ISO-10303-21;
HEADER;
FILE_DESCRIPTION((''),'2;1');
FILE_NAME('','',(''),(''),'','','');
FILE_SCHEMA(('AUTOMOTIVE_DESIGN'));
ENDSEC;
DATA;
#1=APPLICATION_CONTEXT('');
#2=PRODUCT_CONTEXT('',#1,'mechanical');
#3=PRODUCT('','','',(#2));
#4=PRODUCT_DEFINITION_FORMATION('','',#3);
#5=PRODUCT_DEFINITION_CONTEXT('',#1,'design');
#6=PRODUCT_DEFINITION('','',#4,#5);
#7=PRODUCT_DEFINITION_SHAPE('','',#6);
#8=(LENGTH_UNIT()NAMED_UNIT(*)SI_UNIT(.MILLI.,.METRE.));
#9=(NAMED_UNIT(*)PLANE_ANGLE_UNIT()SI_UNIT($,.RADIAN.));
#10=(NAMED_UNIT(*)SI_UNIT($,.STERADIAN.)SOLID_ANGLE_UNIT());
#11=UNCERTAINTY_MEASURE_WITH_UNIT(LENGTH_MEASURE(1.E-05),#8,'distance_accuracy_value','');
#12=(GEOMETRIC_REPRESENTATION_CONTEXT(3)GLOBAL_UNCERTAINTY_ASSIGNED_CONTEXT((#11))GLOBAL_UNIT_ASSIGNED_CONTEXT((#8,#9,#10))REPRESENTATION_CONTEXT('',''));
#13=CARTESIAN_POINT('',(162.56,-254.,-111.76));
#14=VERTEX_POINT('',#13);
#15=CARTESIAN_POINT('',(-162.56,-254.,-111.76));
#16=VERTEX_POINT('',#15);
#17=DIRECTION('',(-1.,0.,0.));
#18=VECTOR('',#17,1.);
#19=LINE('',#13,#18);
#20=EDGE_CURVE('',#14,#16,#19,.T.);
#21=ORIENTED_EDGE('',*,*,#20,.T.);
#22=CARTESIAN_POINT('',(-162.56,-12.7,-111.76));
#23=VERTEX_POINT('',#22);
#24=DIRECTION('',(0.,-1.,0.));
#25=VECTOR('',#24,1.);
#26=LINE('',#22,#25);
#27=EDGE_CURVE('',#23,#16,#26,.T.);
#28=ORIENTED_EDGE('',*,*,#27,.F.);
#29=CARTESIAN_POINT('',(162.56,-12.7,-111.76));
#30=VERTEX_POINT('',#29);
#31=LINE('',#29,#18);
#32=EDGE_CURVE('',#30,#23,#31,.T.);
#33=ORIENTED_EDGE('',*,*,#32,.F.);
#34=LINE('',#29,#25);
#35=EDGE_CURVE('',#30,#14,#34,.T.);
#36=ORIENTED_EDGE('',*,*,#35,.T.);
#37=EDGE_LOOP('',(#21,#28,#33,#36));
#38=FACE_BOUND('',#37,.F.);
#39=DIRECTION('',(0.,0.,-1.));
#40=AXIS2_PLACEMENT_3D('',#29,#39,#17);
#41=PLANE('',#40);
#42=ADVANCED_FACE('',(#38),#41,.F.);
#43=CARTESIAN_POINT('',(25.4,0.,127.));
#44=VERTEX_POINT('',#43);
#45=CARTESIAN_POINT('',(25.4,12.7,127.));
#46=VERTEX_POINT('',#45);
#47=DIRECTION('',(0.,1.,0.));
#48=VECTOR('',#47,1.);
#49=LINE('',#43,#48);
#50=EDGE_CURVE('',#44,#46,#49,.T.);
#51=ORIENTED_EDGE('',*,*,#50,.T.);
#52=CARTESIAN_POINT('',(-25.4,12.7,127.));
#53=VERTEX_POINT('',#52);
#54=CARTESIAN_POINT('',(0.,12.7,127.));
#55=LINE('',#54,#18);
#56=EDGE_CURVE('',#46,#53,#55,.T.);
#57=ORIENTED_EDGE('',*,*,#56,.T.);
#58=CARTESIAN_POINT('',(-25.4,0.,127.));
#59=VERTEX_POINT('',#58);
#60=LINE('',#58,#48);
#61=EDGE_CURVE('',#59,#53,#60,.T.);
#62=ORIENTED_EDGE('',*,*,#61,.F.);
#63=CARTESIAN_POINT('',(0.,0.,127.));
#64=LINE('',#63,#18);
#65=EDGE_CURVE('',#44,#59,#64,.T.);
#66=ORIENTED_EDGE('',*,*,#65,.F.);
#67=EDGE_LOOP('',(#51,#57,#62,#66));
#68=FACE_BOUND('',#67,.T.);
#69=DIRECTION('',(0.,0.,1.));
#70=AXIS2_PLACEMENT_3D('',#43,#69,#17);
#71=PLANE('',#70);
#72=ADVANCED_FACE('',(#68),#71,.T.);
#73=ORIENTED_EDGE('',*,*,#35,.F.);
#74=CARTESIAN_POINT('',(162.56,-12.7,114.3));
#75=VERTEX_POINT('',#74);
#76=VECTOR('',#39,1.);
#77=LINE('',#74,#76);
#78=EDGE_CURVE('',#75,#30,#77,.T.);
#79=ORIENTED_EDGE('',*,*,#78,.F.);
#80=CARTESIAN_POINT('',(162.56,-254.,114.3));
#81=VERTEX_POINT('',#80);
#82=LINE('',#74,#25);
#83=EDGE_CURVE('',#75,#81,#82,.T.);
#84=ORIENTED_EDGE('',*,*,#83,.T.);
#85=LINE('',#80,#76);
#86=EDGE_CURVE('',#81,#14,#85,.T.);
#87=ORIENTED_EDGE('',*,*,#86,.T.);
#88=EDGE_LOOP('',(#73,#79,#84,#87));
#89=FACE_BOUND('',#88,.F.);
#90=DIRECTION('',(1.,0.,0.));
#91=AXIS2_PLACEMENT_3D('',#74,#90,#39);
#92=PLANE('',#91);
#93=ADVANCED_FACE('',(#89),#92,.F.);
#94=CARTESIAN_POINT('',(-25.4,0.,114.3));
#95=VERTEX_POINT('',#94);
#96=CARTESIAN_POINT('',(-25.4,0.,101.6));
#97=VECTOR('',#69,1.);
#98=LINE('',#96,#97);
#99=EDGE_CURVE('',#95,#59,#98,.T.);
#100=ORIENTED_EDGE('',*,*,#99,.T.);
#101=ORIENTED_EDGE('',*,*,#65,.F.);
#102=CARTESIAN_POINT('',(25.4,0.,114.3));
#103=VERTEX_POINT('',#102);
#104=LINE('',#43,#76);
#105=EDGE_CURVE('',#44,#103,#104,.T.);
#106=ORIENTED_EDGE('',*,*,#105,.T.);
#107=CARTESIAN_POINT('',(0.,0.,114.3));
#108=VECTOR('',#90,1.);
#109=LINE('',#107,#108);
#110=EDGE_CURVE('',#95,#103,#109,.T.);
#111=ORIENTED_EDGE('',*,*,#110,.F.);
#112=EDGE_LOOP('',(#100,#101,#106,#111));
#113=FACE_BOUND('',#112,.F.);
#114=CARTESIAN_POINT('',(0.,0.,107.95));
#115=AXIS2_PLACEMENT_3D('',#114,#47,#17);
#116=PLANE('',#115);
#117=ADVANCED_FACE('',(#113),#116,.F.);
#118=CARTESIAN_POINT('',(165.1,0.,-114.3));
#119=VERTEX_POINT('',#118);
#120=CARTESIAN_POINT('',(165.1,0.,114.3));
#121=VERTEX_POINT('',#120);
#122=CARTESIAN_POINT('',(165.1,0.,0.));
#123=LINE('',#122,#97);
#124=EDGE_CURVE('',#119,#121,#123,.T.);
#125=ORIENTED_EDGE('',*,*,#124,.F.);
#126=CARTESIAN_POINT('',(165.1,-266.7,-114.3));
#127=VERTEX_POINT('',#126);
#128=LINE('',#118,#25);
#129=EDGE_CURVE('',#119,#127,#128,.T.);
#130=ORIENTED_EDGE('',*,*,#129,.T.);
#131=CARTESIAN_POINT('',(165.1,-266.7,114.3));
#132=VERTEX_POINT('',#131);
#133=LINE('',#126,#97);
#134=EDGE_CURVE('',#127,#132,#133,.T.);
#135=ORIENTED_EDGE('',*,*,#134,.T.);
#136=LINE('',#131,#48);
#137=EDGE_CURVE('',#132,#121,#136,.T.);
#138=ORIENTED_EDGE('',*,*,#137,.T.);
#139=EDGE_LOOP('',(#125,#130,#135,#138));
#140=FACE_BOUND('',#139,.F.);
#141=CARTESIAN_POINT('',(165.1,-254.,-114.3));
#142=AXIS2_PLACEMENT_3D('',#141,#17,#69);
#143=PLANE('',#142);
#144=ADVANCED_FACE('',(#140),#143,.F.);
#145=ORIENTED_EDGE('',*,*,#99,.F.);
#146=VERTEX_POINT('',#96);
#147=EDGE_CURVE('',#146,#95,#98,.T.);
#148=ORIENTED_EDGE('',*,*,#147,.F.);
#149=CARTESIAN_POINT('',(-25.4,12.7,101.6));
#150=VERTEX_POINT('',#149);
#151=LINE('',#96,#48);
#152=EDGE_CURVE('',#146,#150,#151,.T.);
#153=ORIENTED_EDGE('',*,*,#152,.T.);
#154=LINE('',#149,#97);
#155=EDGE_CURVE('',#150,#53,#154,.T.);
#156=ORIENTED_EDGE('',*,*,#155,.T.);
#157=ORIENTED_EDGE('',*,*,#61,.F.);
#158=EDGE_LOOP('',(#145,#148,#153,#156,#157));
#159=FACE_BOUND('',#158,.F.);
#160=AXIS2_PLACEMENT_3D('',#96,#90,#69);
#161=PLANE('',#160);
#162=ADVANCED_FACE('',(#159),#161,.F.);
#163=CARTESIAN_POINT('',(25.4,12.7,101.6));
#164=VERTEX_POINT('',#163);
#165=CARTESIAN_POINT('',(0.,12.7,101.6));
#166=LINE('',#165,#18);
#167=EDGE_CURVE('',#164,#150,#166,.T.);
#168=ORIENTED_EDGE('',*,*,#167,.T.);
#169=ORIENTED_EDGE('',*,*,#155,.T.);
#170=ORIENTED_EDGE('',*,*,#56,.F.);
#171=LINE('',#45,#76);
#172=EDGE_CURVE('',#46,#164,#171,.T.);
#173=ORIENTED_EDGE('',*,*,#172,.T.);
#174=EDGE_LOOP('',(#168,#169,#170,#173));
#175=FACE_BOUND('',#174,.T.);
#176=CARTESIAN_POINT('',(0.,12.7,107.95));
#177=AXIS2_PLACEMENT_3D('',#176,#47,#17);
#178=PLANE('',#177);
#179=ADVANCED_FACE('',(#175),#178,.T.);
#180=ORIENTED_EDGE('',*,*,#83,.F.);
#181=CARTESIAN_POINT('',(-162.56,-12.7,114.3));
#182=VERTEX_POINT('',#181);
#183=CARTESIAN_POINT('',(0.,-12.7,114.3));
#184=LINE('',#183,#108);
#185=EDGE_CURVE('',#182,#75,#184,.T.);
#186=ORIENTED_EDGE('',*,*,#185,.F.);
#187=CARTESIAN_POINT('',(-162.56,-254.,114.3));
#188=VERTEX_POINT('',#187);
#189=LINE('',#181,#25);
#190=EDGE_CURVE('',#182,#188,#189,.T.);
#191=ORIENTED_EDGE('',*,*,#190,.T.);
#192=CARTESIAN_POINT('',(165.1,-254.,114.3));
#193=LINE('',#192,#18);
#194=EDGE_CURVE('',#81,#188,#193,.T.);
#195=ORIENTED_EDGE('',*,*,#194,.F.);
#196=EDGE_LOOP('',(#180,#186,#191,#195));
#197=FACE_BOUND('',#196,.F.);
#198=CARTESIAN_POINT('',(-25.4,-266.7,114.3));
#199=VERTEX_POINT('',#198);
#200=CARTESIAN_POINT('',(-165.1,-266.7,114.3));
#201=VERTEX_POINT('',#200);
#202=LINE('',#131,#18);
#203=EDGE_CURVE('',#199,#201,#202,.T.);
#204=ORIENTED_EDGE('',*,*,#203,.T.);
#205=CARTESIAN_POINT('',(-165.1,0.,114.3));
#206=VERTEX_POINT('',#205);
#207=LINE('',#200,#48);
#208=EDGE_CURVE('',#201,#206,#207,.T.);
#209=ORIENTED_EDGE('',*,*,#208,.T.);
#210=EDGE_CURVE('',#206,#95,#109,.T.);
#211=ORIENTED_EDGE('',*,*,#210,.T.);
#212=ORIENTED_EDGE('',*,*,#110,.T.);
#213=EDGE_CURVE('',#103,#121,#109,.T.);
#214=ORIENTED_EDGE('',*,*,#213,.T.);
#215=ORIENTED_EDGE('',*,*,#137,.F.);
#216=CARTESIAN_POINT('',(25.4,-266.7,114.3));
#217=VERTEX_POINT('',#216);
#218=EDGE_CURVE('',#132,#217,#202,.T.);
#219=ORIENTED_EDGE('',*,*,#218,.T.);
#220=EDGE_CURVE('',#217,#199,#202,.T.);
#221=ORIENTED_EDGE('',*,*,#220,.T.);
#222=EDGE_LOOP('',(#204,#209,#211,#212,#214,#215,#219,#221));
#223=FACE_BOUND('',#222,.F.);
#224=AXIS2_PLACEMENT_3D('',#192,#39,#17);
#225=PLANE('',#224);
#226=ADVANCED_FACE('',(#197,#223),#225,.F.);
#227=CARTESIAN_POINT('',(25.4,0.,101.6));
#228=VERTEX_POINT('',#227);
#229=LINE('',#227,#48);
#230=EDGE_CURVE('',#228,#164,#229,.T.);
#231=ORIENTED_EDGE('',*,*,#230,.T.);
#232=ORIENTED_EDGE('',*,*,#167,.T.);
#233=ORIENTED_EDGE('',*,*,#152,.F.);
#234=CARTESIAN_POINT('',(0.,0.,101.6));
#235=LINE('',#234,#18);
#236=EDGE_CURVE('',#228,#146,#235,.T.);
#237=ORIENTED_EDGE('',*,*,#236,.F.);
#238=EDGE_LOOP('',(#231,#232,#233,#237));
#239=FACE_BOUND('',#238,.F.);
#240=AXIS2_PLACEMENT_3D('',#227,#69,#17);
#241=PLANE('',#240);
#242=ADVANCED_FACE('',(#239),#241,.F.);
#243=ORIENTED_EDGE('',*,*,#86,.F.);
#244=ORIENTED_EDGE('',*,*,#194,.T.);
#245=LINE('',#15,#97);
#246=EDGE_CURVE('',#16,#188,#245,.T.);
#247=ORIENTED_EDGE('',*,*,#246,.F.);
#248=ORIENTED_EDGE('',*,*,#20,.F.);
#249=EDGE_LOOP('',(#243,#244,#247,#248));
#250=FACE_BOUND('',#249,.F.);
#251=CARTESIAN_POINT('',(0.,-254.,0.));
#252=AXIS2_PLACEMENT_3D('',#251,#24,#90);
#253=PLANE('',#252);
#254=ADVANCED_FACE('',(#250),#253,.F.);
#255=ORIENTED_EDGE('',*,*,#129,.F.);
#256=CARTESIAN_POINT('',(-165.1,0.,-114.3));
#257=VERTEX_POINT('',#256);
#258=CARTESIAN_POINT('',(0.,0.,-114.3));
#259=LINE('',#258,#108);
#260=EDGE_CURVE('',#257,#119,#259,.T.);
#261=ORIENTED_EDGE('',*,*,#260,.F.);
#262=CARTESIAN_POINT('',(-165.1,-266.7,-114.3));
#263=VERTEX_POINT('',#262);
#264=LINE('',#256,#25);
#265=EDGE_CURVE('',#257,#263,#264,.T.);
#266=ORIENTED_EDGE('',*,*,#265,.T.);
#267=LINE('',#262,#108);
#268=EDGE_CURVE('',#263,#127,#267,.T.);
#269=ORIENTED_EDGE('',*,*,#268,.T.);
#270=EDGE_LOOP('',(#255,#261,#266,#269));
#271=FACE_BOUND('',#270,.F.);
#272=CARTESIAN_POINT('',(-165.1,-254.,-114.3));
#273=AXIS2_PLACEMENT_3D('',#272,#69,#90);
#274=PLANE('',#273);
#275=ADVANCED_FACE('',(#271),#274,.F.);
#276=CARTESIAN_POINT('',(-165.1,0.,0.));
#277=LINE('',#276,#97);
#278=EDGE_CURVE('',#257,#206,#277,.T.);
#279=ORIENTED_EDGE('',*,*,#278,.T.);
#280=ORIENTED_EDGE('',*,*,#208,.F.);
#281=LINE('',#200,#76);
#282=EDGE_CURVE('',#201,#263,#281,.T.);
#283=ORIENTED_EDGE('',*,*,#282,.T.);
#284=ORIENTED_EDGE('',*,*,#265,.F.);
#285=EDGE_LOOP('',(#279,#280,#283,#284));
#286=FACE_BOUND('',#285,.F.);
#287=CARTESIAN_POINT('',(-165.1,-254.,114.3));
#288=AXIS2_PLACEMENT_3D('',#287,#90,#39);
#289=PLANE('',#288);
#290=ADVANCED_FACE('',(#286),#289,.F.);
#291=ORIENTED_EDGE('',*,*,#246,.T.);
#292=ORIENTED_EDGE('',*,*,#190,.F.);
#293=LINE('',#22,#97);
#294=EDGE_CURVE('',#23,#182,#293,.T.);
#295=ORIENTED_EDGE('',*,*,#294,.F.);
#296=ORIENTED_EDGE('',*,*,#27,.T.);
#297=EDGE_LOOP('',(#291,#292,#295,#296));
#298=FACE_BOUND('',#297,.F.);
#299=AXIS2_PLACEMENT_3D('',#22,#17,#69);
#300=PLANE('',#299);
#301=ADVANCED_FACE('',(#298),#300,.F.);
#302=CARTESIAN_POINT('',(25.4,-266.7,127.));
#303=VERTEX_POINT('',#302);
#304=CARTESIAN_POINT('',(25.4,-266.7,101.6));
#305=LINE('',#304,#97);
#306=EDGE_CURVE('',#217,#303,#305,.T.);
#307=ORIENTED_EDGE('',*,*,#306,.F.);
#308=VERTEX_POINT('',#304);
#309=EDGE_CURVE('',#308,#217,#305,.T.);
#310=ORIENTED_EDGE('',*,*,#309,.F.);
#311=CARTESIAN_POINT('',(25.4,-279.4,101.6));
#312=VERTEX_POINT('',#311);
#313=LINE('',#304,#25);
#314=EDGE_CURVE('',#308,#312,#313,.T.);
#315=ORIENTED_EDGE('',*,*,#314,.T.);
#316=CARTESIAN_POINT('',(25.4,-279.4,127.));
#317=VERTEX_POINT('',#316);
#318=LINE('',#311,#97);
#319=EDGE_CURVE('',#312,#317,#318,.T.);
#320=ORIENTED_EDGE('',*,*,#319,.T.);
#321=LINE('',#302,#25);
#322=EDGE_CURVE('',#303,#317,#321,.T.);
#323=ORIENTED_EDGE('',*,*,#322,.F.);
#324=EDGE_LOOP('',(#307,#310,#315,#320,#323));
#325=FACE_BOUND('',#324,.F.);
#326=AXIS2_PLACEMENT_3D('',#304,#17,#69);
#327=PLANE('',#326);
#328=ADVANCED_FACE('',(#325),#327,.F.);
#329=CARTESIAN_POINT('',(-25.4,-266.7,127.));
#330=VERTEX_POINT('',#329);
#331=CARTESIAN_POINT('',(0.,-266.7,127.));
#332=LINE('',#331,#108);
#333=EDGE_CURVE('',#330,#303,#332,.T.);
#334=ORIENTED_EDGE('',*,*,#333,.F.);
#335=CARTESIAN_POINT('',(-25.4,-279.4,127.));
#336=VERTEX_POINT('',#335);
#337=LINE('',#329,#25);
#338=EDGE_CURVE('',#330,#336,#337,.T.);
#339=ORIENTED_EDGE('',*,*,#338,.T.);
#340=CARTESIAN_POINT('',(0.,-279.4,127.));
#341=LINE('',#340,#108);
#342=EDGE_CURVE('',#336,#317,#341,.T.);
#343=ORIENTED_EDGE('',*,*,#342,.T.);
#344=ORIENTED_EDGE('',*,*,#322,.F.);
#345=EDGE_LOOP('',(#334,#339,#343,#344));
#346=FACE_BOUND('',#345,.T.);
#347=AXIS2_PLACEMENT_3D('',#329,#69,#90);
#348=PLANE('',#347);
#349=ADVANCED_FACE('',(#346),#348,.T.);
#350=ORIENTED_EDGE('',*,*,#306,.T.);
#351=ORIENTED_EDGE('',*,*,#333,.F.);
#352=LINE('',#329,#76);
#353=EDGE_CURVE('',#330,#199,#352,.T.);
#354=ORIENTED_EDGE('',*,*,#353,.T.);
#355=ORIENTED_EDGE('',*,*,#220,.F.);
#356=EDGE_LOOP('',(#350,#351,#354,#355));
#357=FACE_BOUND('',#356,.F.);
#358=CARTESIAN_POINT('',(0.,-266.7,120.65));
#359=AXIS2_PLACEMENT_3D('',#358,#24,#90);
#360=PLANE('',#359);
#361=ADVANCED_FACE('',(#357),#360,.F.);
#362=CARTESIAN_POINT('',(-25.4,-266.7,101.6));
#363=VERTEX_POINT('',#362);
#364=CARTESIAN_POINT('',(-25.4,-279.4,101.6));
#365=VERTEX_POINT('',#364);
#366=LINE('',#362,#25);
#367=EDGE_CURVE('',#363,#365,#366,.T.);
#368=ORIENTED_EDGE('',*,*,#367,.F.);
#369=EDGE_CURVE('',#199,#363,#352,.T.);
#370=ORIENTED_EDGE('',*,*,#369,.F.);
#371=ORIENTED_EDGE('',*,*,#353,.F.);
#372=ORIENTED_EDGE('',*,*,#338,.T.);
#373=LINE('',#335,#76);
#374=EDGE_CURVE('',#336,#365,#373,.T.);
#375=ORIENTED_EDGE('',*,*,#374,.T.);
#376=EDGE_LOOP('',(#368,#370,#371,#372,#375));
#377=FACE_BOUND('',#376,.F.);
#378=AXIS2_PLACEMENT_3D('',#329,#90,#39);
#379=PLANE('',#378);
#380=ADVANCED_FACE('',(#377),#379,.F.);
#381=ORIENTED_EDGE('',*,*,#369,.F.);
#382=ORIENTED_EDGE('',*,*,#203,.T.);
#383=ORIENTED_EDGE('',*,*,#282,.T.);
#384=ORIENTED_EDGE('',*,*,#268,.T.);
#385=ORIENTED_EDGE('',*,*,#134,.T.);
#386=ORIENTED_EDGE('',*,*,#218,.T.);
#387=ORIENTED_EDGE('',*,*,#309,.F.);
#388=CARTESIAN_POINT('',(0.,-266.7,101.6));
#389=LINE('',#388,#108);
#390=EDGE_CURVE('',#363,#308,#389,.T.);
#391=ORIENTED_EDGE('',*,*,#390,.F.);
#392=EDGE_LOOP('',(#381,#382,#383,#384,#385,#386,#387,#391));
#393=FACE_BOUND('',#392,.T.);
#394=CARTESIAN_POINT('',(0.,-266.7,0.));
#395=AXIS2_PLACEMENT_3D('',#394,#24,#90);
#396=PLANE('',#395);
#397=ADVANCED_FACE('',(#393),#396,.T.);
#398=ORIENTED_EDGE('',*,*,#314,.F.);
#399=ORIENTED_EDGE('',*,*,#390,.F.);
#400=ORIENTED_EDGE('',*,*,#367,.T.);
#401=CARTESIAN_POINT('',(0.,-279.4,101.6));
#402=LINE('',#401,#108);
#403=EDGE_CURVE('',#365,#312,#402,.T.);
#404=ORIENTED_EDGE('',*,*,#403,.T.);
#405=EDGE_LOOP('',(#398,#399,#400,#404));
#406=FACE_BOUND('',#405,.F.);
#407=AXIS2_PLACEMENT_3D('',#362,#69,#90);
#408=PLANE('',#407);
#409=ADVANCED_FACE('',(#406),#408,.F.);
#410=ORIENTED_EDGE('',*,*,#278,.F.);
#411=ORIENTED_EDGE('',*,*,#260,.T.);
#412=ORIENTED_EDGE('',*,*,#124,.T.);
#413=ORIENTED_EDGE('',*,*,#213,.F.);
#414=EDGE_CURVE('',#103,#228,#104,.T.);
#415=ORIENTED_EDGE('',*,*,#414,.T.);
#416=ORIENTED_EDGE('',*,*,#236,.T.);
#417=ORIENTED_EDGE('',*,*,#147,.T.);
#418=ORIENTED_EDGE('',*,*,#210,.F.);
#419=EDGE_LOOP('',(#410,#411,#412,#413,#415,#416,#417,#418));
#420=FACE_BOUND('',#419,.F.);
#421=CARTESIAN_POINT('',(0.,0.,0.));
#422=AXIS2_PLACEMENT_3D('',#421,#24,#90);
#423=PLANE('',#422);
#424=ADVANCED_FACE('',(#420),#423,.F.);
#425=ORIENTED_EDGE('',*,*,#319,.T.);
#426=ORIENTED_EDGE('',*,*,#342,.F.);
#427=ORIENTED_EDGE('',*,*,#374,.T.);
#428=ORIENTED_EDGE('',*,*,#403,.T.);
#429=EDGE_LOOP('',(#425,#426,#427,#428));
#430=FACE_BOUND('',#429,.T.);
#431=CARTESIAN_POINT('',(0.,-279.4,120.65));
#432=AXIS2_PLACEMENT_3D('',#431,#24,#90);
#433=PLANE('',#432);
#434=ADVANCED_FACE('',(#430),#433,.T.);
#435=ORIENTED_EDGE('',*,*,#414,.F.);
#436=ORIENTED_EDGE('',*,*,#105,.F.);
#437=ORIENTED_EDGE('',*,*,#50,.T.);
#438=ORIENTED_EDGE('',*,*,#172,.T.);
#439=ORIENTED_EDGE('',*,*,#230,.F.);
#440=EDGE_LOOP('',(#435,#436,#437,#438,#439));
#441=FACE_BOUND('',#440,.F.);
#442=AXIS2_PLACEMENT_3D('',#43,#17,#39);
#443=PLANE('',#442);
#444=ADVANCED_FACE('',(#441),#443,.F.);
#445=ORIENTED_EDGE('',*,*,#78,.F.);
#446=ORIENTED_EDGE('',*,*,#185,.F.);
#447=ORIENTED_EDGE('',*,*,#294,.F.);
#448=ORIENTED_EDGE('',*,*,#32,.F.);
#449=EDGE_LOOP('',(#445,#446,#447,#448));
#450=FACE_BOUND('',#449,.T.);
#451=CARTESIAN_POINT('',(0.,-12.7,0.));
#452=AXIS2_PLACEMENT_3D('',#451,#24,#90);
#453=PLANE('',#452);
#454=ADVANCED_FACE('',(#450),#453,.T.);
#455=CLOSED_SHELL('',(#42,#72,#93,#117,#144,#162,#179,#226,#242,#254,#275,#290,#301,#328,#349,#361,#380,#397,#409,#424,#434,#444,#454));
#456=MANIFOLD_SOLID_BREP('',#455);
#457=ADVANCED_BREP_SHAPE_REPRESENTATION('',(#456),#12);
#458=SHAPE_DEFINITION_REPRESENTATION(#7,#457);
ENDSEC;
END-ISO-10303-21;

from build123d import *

# Parameters (mm, degrees)
F0_W     = 330.2
F0_H     = 228.6
F1_DEPTH = 12.7
F3_DEPTH = 241.3
F5_DEPTH = 12.7
F6_W     = 50.8
F6_H     = 12.7
F7_DEPTH = 12.7
F8_W     = 50.8
F8_H     = 12.7
F9_DEPTH = 12.7


with BuildPart() as f1:
    # F0 (on Front) → F1 (new body)
    with BuildSketch(Plane.XZ):
        Rectangle(F0_W, F0_H)
    extrude(amount=F1_DEPTH)

    # F2 (on face) → F3 (join)
    with BuildSketch(Plane.XZ.offset(12.7)):
        Polygon((-162.56, -111.76), (-162.56, 114.3), (-165.1, 114.3), (-165.1, -114.3), (165.1, -114.3), (165.1, 114.3), (162.56, 114.3), (162.56, -111.76), align=None)
    extrude(amount=F3_DEPTH)

    # F4 (on face) → F5 (join)
    with BuildSketch(Plane.XZ.offset(254)):
        Polygon((-162.56, 114.3), (-165.1, 114.3), (-165.1, -114.3), (165.1, -114.3), (165.1, 114.3), align=None)
    extrude(amount=F5_DEPTH)

    # F6 (on face) → F7 (join)
    with BuildSketch(Plane.XZ.offset(266.7)):
        with Locations((0, 120.65)):
            Rectangle(F6_W, F6_H)
        with Locations((0, 107.95)):
            Rectangle(F6_W, F6_H)
    extrude(amount=F7_DEPTH)

    # F8 (on face) → F9 (join)
    with BuildSketch(Plane(origin=(0, 0, 0), x_dir=(-1, 0, 0), z_dir=(0, 1, 0))):
        with Locations((0, 107.95)):
            Rectangle(F8_W, F8_H)
        with Locations((0, 120.65)):
            Rectangle(F8_W, F8_H)
    extrude(amount=F9_DEPTH)


solid = f1.part
